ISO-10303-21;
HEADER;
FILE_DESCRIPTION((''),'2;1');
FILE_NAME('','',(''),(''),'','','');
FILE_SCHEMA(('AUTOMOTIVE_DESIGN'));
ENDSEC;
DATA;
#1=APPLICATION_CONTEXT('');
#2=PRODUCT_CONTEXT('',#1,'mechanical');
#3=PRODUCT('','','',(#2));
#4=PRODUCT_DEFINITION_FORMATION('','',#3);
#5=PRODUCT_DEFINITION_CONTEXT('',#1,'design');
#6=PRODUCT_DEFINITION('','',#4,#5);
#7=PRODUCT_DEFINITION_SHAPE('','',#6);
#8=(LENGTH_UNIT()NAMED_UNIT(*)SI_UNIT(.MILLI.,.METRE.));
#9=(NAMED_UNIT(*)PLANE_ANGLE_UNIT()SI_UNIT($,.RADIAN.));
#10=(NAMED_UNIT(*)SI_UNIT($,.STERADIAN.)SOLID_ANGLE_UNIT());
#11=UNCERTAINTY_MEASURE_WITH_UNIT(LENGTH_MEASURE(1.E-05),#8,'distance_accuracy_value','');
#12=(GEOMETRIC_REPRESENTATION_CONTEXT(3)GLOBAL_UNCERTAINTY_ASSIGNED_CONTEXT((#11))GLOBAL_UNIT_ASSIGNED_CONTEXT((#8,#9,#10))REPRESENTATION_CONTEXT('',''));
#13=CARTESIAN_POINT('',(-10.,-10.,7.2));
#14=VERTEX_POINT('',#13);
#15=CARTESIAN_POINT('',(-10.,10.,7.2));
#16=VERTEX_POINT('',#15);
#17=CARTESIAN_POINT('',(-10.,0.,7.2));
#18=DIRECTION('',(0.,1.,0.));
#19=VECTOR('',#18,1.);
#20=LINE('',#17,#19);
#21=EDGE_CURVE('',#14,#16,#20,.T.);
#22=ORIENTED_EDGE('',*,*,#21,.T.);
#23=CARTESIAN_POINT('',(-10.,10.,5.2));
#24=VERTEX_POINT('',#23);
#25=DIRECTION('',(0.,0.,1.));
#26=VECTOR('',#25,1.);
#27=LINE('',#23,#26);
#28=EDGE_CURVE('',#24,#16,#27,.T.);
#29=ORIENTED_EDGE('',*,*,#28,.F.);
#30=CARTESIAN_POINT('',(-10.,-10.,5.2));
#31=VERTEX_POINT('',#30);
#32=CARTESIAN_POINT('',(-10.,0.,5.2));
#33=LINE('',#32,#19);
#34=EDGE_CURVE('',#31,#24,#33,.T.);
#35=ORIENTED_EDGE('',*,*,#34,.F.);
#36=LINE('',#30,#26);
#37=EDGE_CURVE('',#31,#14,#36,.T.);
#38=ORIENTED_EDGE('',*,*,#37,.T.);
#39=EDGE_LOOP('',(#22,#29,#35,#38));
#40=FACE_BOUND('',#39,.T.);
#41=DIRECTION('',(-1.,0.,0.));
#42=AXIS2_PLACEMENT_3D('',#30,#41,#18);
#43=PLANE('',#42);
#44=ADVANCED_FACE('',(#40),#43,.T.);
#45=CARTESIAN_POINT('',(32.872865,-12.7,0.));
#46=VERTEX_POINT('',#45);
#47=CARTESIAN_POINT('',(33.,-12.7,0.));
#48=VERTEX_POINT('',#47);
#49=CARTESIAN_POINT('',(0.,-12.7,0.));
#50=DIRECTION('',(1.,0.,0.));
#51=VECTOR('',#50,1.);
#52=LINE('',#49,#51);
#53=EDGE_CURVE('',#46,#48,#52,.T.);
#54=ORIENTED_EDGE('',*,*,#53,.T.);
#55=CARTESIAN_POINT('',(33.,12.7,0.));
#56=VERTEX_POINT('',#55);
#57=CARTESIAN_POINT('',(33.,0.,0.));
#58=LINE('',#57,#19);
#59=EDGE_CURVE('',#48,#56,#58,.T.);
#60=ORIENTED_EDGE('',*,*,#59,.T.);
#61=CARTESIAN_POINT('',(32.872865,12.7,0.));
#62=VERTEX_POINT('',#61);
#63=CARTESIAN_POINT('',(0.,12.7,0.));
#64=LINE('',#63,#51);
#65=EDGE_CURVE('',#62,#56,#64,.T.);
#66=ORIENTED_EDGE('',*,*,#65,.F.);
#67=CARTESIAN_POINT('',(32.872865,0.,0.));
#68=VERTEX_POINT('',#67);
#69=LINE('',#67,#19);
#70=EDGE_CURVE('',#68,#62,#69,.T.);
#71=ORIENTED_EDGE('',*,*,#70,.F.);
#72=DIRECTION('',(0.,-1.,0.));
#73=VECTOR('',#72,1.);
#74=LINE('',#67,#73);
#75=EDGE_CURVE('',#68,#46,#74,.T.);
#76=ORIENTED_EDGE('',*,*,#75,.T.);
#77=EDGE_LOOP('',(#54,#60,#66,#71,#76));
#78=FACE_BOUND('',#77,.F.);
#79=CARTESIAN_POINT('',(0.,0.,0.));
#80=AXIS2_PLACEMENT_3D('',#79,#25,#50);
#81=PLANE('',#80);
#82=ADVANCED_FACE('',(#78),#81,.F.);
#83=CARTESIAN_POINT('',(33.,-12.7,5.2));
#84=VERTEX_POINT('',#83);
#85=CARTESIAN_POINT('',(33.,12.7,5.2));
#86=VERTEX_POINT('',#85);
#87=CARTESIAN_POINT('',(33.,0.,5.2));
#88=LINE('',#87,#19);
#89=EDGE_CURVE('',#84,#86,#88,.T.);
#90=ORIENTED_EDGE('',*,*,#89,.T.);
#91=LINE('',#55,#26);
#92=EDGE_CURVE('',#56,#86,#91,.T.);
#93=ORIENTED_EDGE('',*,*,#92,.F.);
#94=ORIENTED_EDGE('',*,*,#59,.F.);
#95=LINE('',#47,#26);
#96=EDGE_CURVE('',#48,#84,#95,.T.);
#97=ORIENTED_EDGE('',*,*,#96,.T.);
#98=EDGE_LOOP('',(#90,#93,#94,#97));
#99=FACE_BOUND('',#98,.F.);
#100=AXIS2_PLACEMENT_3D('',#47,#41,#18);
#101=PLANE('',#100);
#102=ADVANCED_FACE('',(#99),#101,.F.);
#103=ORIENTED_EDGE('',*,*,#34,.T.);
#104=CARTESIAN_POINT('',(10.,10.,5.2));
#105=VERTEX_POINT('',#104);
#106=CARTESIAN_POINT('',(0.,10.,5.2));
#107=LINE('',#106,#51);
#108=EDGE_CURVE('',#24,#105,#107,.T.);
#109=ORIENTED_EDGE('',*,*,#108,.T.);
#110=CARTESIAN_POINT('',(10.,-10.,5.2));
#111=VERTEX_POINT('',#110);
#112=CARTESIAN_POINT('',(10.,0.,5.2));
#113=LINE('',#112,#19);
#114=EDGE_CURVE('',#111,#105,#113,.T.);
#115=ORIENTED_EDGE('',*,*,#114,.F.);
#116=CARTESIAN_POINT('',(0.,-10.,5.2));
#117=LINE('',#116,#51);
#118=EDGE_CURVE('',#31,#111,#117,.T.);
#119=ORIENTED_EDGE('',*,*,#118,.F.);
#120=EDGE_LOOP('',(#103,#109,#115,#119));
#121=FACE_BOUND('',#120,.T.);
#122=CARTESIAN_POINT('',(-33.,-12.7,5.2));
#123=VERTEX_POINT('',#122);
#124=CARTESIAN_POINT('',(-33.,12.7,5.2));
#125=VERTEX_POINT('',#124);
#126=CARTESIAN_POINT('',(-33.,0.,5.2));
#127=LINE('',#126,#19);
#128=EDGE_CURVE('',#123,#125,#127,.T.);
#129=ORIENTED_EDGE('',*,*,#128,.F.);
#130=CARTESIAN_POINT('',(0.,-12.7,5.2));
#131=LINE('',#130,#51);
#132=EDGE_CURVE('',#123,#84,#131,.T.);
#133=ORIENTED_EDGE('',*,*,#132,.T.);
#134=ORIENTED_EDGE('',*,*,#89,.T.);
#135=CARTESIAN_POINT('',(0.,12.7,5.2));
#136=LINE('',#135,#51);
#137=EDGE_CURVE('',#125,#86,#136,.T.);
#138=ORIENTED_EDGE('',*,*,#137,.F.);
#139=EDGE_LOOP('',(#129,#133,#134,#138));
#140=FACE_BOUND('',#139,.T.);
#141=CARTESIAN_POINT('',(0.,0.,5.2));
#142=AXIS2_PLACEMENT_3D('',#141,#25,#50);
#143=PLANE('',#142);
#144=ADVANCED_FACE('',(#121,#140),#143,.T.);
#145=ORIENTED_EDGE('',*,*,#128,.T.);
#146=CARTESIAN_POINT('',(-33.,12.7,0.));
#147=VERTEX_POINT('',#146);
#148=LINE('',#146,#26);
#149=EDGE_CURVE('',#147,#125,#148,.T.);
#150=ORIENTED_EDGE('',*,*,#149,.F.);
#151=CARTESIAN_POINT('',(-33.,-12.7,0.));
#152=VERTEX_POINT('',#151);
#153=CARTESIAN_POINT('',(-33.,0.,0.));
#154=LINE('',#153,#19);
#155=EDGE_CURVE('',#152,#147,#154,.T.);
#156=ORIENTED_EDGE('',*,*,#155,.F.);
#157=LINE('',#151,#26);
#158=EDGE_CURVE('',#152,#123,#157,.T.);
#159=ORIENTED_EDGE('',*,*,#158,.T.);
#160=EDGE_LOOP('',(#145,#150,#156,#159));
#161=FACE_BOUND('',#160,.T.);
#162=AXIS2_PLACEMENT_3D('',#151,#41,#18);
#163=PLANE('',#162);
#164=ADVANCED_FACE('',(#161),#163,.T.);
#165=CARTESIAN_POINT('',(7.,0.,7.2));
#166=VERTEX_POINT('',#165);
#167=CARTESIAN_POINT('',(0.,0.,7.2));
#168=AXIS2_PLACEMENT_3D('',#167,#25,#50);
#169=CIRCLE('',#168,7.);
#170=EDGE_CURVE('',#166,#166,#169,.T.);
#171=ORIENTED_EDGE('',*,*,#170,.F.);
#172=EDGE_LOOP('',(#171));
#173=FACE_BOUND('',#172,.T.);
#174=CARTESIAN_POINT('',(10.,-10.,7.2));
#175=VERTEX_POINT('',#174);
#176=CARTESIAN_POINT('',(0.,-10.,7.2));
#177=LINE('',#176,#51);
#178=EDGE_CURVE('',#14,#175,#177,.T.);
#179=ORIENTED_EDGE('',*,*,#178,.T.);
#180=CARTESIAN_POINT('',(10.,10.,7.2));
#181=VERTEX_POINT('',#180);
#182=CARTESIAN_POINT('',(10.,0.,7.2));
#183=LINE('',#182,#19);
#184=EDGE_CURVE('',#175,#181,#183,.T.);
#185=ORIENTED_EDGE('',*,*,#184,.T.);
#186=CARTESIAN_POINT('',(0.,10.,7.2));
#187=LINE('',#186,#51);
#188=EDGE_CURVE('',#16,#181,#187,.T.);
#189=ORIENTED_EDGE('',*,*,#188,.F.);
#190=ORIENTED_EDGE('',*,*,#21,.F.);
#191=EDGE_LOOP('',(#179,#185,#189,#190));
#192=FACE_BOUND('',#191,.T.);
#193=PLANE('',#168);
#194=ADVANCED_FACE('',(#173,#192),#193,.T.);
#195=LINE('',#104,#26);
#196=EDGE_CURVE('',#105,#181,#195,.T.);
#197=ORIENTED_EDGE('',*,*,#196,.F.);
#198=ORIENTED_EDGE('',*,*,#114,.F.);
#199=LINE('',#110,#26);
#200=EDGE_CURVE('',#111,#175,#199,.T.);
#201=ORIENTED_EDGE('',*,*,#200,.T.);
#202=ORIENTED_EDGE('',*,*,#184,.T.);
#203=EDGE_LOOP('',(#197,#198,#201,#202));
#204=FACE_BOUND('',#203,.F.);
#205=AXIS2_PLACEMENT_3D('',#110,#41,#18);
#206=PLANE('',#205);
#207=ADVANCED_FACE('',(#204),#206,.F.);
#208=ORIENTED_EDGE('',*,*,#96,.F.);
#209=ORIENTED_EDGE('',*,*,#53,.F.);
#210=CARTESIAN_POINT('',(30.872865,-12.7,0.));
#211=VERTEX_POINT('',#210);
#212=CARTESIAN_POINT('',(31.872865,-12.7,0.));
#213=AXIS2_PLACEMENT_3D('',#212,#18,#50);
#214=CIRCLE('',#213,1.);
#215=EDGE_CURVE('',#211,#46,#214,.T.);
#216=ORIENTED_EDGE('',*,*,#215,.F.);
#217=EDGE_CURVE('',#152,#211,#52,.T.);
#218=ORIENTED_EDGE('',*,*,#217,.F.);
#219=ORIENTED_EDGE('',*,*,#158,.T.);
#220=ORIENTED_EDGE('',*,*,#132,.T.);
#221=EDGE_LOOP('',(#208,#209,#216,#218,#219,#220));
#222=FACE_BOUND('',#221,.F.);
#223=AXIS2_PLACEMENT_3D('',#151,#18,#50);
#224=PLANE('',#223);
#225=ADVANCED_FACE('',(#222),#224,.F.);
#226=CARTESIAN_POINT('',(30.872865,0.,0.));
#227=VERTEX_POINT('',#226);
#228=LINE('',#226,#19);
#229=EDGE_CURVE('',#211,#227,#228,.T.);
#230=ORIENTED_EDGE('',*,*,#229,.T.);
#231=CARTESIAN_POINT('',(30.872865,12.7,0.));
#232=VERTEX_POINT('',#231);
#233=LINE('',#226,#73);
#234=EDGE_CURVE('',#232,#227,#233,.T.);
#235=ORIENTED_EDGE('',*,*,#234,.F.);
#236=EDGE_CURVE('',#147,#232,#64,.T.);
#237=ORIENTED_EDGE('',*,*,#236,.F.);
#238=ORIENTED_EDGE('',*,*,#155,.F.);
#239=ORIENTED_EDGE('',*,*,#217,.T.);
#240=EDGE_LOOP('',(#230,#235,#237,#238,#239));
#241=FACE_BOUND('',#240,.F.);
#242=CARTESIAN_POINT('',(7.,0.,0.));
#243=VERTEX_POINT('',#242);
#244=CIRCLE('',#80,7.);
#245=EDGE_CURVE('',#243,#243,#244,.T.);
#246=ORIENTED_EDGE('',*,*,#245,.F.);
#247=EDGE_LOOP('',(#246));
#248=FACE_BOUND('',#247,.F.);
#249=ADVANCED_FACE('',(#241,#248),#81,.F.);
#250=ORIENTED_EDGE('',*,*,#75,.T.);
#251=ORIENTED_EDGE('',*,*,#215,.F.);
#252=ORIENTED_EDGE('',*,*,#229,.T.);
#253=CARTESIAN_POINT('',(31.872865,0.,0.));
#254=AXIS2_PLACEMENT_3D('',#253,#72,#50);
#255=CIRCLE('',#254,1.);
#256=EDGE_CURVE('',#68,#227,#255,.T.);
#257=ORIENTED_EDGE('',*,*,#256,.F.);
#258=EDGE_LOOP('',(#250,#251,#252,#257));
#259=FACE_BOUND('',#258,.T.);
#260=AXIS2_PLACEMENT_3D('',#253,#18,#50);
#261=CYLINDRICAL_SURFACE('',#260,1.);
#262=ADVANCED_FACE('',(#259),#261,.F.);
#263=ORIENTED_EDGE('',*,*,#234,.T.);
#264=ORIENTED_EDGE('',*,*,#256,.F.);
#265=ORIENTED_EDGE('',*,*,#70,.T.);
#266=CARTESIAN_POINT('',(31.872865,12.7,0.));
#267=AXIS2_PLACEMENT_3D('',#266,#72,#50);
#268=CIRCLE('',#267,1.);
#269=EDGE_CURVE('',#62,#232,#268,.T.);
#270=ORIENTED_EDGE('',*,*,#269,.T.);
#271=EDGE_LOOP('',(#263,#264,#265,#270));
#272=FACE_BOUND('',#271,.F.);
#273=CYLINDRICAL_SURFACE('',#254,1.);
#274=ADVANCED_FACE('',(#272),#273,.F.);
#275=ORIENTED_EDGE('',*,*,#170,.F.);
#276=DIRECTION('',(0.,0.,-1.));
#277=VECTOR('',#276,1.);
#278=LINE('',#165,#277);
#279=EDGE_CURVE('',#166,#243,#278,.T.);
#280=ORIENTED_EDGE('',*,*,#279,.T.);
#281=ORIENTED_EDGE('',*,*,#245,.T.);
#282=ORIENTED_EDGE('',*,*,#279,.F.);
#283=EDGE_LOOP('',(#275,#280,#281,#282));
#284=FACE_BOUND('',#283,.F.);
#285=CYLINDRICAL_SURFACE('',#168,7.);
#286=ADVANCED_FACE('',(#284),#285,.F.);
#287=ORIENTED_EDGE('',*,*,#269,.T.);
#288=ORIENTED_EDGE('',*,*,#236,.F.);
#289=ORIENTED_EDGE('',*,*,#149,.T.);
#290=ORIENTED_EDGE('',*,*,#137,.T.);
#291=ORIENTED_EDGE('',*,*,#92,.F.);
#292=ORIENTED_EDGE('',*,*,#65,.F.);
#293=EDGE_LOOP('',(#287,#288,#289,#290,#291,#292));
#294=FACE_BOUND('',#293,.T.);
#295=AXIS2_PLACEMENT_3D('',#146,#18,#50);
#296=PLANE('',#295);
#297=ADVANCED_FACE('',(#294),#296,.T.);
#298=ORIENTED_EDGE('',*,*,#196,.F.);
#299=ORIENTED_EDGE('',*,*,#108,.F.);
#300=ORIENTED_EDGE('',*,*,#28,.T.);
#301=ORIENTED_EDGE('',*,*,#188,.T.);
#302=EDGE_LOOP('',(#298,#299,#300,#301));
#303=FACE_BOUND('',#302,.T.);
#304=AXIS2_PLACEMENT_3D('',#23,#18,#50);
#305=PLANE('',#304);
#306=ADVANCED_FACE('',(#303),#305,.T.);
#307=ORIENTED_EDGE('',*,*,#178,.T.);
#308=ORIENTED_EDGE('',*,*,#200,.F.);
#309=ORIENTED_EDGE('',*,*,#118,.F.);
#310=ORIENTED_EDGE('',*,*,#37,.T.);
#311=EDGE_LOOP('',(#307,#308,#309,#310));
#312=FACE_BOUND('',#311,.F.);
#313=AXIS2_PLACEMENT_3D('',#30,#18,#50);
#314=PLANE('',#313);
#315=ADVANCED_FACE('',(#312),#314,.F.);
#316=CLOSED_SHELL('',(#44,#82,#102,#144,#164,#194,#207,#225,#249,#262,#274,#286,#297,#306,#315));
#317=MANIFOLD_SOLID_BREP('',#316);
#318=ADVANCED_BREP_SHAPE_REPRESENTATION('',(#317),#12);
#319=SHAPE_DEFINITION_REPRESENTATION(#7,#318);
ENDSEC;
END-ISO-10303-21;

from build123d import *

# Parameters (mm, degrees)
F0_W          = 66
F0_H          = 25.4
F1_DEPTH      = 5.2
F2_W          = 20
F2_H          = 20
F3_DEPTH      = 2
F4_R          = 7
F5_DEPTH      = 16.04009
F6_R          = 1
F7_DEPTH      = 25
F7_DEPTH_BACK = 25


with BuildPart() as f1:
    # F0 (on Top) → F1 (new body)
    with BuildSketch(Plane.XY):
        Rectangle(F0_W, F0_H)
    extrude(amount=F1_DEPTH)

    # F2 (on face) → F3 (join)
    with BuildSketch(Plane.XY.offset(5.2)):
        Rectangle(F2_W, F2_H)
    extrude(amount=F3_DEPTH)

    # F4 (on face) → F5 (cut)
    with BuildSketch(Plane.XY.offset(7.2)):
        Circle(F4_R)
    extrude(amount=-F5_DEPTH, mode=Mode.SUBTRACT)

    # F6 (on Front) → F7 (cut, two sides)
    with BuildSketch(Plane.XZ) as f7_sk:
        with Locations((31.872865, 0)):
            Circle(F6_R)
    extrude(amount=F7_DEPTH, mode=Mode.SUBTRACT)
    extrude(f7_sk.sketch, amount=-F7_DEPTH_BACK, mode=Mode.SUBTRACT)


solid = f1.part
